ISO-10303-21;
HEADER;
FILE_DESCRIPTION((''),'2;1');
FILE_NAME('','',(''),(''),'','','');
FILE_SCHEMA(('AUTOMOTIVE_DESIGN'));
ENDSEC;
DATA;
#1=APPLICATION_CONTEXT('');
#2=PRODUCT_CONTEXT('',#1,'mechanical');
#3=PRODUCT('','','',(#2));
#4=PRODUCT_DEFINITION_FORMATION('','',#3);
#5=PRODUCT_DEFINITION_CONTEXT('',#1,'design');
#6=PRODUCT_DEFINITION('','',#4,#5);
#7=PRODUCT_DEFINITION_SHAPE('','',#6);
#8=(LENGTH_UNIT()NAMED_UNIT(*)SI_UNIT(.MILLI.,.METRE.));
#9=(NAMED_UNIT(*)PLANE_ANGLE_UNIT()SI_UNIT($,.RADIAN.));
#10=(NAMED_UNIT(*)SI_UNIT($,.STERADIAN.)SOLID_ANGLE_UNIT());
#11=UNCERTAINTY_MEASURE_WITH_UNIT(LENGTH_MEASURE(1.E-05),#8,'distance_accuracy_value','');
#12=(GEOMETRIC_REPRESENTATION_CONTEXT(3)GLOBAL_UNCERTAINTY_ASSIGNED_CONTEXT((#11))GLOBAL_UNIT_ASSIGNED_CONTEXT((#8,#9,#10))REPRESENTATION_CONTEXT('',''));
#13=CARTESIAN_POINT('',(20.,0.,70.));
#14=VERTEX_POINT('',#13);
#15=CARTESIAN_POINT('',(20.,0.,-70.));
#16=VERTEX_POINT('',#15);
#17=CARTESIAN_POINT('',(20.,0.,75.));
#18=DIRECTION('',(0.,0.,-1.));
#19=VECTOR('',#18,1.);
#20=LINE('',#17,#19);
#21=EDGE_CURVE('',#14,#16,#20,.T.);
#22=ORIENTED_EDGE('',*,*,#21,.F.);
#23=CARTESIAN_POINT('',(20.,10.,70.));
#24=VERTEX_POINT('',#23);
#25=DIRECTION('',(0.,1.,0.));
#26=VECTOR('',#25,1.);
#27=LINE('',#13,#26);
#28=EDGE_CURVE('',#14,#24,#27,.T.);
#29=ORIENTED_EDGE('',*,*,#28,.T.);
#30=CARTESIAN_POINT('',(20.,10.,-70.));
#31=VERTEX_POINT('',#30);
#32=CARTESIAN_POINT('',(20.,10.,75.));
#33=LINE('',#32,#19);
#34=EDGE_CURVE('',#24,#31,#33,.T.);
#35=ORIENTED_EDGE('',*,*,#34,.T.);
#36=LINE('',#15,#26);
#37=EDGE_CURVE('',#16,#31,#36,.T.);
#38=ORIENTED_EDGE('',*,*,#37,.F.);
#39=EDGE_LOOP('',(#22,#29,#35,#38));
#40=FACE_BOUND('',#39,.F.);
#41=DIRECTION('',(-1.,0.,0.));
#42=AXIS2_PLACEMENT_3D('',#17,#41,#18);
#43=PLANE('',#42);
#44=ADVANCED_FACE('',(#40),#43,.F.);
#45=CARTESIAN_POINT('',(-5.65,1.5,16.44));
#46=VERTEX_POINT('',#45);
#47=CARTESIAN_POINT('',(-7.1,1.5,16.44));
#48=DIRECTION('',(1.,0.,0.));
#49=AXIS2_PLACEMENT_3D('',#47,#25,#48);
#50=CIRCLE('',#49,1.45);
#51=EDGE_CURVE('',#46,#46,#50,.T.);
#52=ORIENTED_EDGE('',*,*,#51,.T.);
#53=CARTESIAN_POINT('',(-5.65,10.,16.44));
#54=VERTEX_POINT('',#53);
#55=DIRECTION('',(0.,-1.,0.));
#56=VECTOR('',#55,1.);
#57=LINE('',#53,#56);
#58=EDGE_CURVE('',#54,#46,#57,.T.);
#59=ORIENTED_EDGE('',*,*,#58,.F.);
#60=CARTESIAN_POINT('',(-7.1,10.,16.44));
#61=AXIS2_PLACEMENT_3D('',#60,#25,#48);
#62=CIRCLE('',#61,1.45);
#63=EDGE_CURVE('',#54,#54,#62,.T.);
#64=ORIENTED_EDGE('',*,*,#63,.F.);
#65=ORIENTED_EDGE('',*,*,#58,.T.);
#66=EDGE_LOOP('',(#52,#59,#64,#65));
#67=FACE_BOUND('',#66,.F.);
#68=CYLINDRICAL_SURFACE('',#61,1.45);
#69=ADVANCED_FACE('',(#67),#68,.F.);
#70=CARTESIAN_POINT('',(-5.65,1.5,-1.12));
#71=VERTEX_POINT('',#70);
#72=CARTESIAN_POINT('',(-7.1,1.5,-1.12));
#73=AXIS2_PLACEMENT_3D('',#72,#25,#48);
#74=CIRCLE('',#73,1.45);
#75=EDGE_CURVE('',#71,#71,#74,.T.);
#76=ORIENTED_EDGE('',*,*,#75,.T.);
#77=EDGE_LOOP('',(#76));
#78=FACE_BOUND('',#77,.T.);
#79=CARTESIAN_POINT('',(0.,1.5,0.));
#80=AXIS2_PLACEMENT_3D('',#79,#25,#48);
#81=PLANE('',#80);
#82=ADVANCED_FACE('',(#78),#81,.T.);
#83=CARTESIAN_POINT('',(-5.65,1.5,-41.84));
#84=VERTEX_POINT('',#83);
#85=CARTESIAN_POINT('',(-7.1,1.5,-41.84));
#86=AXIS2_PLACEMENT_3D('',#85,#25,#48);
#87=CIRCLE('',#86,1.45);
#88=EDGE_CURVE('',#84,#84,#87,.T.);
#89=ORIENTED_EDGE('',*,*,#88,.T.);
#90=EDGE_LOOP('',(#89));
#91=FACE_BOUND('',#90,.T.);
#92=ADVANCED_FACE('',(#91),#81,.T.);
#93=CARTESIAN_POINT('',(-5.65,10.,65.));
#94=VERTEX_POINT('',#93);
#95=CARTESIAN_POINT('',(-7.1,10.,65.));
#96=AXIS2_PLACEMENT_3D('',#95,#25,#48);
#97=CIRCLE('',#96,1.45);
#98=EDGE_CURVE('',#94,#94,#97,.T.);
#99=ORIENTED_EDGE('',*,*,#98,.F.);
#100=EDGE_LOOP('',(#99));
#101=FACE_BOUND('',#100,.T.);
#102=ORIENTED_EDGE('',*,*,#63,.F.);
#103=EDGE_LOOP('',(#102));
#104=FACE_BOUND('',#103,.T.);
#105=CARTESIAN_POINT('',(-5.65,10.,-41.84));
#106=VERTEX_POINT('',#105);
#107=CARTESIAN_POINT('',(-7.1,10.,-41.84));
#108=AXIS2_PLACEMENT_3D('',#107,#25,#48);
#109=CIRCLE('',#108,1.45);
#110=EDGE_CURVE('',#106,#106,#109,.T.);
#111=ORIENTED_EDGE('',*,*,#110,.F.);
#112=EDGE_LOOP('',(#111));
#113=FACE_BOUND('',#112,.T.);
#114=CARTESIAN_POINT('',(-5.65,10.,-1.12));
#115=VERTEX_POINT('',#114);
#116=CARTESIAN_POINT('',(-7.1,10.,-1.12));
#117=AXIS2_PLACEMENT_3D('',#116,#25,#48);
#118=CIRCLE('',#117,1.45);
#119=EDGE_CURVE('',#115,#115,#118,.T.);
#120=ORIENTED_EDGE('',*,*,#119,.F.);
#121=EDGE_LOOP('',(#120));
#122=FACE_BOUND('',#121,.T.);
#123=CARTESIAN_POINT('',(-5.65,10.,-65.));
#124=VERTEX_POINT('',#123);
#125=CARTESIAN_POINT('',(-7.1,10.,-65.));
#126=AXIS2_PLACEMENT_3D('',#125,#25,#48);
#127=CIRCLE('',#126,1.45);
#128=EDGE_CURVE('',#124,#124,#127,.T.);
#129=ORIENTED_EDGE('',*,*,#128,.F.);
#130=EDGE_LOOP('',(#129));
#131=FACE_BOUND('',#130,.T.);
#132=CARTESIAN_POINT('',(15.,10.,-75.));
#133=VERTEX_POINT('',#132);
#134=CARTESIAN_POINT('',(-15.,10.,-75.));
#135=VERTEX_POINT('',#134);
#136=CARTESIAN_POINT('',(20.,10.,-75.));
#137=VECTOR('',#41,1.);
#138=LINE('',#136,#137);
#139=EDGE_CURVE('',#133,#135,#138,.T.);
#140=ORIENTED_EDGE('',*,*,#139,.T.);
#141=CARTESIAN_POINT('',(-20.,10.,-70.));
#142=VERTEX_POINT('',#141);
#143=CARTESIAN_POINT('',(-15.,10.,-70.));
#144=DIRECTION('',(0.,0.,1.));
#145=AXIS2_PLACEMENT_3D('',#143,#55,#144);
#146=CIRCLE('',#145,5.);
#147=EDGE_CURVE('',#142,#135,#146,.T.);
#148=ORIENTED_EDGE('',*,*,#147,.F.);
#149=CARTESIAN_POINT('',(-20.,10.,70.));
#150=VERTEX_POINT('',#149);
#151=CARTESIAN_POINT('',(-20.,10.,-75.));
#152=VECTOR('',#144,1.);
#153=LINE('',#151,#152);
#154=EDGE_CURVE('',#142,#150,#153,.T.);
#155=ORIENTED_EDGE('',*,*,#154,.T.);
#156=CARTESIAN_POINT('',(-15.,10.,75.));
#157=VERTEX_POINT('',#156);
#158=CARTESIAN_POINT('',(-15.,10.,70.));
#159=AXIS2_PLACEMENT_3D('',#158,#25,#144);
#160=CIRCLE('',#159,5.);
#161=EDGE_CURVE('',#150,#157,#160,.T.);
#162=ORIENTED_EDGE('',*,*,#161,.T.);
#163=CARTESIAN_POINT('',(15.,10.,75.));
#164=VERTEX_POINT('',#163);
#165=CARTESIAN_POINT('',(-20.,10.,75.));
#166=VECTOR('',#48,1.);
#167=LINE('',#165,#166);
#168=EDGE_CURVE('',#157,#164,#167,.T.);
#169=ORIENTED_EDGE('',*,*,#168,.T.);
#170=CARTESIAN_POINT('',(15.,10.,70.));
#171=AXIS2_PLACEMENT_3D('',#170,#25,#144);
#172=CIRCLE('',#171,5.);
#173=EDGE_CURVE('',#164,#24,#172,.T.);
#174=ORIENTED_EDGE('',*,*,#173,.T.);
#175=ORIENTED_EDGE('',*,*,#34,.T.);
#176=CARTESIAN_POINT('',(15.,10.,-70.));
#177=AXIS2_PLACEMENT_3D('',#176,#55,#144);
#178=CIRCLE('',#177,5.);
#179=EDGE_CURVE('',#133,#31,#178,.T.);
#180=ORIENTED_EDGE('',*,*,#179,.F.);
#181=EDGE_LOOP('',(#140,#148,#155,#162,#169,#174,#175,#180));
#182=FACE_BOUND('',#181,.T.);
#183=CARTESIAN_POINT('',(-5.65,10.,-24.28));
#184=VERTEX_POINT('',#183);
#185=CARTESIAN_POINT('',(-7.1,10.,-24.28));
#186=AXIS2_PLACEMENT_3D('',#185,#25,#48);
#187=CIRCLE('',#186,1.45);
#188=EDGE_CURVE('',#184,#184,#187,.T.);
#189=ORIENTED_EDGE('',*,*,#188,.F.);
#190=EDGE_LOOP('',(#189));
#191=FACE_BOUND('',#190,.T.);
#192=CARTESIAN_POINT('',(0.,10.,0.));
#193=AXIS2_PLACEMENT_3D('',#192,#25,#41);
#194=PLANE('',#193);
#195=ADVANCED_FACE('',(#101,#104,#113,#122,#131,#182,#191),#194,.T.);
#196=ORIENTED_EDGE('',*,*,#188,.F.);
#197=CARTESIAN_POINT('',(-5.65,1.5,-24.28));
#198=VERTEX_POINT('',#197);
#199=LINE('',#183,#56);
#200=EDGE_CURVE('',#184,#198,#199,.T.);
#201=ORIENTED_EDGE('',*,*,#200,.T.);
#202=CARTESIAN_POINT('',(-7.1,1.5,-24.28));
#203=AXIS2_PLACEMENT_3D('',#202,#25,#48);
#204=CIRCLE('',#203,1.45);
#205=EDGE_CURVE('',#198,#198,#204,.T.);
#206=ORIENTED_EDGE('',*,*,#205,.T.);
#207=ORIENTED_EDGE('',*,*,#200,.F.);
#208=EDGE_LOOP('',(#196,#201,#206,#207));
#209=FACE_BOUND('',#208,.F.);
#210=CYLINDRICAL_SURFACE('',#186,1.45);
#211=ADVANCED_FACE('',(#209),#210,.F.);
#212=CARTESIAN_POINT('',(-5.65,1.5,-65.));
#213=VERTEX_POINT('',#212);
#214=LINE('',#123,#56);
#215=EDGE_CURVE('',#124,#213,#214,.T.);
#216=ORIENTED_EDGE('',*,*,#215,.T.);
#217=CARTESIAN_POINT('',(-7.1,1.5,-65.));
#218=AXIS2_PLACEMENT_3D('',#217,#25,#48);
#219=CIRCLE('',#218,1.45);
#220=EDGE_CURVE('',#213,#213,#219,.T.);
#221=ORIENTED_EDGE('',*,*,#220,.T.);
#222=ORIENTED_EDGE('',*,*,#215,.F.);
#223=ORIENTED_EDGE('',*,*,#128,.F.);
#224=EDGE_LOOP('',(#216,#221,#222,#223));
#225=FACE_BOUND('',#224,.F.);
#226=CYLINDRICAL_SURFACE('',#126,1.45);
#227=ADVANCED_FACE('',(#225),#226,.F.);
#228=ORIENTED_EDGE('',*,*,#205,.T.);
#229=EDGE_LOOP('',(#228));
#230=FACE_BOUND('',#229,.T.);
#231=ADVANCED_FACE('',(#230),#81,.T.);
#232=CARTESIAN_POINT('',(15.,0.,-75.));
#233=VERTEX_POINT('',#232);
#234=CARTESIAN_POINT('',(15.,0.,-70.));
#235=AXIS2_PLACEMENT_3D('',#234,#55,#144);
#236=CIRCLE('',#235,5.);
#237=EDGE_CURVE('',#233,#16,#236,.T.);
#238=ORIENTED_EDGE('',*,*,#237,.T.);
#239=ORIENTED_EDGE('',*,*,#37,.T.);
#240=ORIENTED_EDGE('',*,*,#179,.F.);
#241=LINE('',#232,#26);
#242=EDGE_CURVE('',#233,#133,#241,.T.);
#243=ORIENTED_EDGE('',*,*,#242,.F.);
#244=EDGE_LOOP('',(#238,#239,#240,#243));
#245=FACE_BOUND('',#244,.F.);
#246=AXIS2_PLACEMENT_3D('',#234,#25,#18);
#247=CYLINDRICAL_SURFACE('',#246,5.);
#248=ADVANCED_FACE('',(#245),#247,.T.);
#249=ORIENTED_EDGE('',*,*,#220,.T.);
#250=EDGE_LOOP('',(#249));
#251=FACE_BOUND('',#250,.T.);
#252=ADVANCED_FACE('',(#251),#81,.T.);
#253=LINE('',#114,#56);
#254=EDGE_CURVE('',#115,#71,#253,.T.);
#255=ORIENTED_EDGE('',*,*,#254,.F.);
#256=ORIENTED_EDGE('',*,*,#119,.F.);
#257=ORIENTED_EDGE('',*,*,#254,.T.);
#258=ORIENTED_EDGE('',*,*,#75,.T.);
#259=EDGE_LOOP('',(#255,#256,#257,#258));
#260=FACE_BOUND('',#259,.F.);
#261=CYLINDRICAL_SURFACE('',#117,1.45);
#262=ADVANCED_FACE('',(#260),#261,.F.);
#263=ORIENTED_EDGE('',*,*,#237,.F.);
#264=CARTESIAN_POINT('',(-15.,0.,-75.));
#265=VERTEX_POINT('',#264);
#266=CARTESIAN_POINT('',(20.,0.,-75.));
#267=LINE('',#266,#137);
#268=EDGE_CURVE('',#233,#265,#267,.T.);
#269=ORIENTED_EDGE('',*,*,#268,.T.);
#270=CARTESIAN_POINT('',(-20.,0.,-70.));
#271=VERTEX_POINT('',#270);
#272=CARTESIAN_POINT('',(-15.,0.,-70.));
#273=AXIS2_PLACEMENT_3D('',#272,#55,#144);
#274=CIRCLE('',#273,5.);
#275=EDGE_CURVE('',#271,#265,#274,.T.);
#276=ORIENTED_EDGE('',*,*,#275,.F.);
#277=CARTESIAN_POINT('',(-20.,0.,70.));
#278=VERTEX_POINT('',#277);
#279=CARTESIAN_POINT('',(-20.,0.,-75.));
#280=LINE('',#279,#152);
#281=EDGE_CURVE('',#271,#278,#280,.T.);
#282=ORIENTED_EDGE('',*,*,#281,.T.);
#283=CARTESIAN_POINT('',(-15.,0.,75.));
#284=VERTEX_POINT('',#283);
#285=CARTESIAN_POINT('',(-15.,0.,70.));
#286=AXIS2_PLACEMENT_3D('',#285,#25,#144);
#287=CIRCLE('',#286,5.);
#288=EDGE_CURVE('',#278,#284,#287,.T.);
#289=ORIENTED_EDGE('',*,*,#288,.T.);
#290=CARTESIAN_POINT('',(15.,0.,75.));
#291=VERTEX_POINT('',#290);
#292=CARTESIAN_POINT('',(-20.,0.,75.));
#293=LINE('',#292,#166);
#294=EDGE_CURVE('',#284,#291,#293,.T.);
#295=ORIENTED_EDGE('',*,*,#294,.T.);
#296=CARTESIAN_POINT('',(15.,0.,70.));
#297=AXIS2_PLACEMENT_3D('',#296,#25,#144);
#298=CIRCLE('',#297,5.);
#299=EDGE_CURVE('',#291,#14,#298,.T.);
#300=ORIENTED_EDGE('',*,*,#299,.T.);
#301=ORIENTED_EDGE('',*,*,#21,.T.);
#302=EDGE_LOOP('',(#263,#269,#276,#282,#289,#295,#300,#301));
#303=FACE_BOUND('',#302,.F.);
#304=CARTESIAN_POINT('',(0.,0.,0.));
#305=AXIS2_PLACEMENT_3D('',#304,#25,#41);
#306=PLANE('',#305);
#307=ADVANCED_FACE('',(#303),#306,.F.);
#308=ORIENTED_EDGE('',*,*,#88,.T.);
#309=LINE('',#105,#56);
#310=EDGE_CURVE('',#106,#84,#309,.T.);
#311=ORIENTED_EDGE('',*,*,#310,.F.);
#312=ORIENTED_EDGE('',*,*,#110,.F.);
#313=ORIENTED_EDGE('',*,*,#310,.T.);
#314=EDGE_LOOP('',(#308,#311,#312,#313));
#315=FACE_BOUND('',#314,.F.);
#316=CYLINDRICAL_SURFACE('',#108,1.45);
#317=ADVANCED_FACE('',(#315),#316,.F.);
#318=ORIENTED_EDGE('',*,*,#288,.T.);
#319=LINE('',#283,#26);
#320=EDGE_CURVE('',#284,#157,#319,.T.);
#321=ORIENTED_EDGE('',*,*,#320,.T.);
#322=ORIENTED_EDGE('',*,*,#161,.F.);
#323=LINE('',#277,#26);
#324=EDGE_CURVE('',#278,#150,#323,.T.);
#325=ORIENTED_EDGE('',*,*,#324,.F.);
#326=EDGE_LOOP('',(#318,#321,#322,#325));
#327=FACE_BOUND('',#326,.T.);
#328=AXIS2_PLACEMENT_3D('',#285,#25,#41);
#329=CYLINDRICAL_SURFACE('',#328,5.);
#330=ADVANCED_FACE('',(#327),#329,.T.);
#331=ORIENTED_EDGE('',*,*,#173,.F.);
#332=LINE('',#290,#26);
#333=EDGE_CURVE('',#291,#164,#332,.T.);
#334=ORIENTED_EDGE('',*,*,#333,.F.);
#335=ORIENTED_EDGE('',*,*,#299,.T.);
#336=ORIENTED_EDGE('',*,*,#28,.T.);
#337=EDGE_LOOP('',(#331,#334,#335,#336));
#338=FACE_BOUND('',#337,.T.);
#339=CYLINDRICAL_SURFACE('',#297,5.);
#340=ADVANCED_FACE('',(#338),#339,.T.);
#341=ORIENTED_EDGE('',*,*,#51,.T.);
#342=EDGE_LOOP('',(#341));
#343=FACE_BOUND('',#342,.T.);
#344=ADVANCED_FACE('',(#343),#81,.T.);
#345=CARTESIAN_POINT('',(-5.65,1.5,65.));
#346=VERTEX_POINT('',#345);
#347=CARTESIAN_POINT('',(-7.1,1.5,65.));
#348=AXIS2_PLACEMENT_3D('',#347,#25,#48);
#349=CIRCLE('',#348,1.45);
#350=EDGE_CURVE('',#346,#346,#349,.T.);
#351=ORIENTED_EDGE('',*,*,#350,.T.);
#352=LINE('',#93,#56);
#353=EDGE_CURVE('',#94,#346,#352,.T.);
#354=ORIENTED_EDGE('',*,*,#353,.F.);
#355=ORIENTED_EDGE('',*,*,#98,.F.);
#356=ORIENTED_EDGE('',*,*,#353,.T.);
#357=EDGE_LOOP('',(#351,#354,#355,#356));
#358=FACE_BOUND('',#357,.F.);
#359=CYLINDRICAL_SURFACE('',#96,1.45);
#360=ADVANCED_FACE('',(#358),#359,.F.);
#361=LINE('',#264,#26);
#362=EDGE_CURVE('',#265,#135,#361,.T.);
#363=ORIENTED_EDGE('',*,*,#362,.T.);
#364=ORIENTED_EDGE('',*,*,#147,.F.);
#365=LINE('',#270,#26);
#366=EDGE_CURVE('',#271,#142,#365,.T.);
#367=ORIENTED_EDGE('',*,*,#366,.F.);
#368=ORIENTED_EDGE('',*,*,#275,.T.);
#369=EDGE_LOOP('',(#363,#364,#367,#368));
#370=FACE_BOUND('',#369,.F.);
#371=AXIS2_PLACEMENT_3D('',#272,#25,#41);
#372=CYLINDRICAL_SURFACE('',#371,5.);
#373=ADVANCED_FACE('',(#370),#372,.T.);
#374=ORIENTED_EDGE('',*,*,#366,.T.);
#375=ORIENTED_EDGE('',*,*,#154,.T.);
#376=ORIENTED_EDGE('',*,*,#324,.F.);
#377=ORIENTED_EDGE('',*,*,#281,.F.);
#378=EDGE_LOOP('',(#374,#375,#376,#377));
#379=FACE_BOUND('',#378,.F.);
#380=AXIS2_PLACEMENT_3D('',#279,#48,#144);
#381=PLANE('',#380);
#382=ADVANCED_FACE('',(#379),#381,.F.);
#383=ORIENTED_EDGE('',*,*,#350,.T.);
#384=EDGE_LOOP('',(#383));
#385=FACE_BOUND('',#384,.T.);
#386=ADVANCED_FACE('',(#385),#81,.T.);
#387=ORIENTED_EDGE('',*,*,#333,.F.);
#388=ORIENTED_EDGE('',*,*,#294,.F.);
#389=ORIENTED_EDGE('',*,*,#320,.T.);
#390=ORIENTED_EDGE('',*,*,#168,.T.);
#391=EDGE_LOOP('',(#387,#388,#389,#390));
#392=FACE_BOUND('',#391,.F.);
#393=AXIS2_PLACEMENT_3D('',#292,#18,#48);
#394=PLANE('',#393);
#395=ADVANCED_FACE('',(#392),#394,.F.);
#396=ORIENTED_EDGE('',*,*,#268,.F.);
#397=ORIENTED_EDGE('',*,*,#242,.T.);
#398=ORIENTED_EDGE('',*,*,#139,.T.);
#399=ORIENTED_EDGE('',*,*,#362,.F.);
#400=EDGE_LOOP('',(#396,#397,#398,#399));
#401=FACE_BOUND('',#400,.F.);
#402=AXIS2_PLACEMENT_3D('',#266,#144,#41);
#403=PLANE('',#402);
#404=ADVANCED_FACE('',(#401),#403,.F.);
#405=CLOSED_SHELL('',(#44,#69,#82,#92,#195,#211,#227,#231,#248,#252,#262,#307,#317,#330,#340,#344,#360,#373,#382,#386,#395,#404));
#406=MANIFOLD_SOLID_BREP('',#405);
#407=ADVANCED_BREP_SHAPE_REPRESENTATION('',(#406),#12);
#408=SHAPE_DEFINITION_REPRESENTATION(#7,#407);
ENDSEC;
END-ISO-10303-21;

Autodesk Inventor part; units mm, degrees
ref_plane "YZ Plane" through (0, 0, 0) normal (1, 0, 0) x (0, 1, 0)
ref_plane "XZ Plane" through (0, 0, 0) normal (0, 1, 0) x (-1, 0, 0)
ref_plane "XY Plane" through (0, 0, 0) normal (0, 0, 1) x (1, 0, 0)
sketch "Esboço1" plane through (0, 0, 0) normal (0, 1, 0) x (-1, 0, 0)
  line L0 (20, 75) -> (-20, 75)
  line L1 (-20, 75) -> (-20, -75)
  line L2 (-20, -75) -> (20, -75)
  line L3 (20, -75) -> (20, 75)
  line L4 (7.1, 63.25) -> (7.1, 18.19) construction
  circle A0 centre (7.1, 16.44) radius 1.75 construction
  circle A1 centre (7.1, 65) radius 1.75 construction
  line L5 (7.1, 65) -> (7.1, 63.25) construction
  line L6 (7.1, 16.44) -> (7.1, 18.19) construction
  circle A2 centre (7.1, 16.44) radius 1.45
  circle A3 centre (7.1, 65) radius 1.45
  line L7 (14.5, 62.22) -> (-14.5, 62.22) construction
  line L8 (-14.5, 62.22) -> (-14.5, 19.22) construction
  line L9 (-14.5, 19.22) -> (14.5, 19.22) construction
  line L10 (14.5, 19.22) -> (14.5, 62.22) construction
  line L11 (11.1, 61) -> (3.1, 61) construction
  line L12 (3.1, 61) -> (3.1, 69) construction
  line L13 (3.1, 69) -> (11.1, 69) construction
  line L14 (11.1, 69) -> (11.1, 61) construction
  line L15 (11.1, 61) -> (3.1, 69) construction
  line L16 (3.1, 61) -> (11.1, 69) construction
  line L17 (3.1, 20.44) -> (11.1, 20.44) construction
  line L18 (11.1, 20.44) -> (11.1, 12.44) construction
  line L19 (11.1, 12.44) -> (3.1, 12.44) construction
  line L20 (3.1, 12.44) -> (3.1, 20.44) construction
  line L21 (3.1, 20.44) -> (11.1, 12.44) construction
  line L22 (11.1, 20.44) -> (3.1, 12.44) construction
  line L23 (7.1, 40.72) -> (7.6918, 40.72) construction
  line L24 (14.5, 40.72) -> (22.5062, 40.72) construction
  line L25 (7.1, -1.12) -> (7.1, -24.28) construction
  circle A4 centre (7.1, -1.12) radius 1.45
  circle A5 centre (7.1, -24.28) radius 1.45
  circle A6 centre (7.1, -41.84) radius 1.45
  circle A7 centre (7.1, -65) radius 1.45
  line L26 (7.1, -41.84) -> (7.1, -65) construction
  line L27 (7.1, 16.44) -> (7.1, -1.12) construction
  line L28 (7.1, -24.28) -> (7.1, -41.84) construction
  line L29 (0, 62.22) -> (0, 19.22) construction
  line L30 (0, 75) -> (0, 85.6082) construction
  point P0 (0, 0)
  dimension "d5" = 3.5
  dimension "d6" = 3.5
  dimension "d0" = 150
  dimension "d1" = 40
  dimension "d2" = 20
  dimension "d3" = 75
  dimension "d4" = 45.06
  dimension "d7" = 2.9
  dimension "d8" = 2.9
  dimension "d9" = 48.56
  dimension "d10" = 29
  dimension "d11" = 8
  dimension "d12" = 8
  dimension "d13" = 8
  dimension "d14" = 8
  dimension "d15" = 3.4
  dimension "d16" = 43
  dimension "d17" = 2.9
  dimension "d18" = 2.9
  dimension "d19" = 23.16
  dimension "d20" = 2.9
  dimension "d21" = 2.9
  dimension "d22" = 23.16
  dimension "d23" = 10
  dimension "d24" = 10
extrude "Extrusão1" add sketch "Esboço1" along normal blind 10 contours L3 L2 L1 L0 | A2 | A3 | A4 | A5 | A6 | A7
sketch "Esboço2" plane through (0, 10, 0) normal (0, 1, 0) x (1, 0, 0)
  circle A0 centre (-7.1, -65) radius 1.45 projected
  circle A1 centre (-7.1, -16.44) radius 1.45 projected
  circle A2 centre (-7.1, 1.12) radius 1.45 projected
  circle A3 centre (-7.1, 24.28) radius 1.45 projected
  circle A4 centre (-7.1, 41.84) radius 1.45 projected
  circle A5 centre (-7.1, 65) radius 1.45 projected
  point P0 (0, 0)
extrude "Extrusão2" cut sketch "Esboço2" against normal blind 8.5
fillet "Arredondamento1" radius 5 4 edges at (20, 5, 75) (-20, 5, 75) (20, 5, -75) (-20, 5, -75)
equation "\"d2\" = 0.5 * d1"
equation "\"d3\" = 0.5 * d0"
equation "\"d12\" = d11"
equation "\"d13\" = d12"
equation "\"d14\" = d12"
equation "\"d17\" = d8"
equation "\"d18\" = d17"
equation "\"d20\" = d18"
equation "\"d21\" = d18"
equation "\"d22\" = d19"
equation "\"d24\" = d23"
properties part number "Base barramentos"
